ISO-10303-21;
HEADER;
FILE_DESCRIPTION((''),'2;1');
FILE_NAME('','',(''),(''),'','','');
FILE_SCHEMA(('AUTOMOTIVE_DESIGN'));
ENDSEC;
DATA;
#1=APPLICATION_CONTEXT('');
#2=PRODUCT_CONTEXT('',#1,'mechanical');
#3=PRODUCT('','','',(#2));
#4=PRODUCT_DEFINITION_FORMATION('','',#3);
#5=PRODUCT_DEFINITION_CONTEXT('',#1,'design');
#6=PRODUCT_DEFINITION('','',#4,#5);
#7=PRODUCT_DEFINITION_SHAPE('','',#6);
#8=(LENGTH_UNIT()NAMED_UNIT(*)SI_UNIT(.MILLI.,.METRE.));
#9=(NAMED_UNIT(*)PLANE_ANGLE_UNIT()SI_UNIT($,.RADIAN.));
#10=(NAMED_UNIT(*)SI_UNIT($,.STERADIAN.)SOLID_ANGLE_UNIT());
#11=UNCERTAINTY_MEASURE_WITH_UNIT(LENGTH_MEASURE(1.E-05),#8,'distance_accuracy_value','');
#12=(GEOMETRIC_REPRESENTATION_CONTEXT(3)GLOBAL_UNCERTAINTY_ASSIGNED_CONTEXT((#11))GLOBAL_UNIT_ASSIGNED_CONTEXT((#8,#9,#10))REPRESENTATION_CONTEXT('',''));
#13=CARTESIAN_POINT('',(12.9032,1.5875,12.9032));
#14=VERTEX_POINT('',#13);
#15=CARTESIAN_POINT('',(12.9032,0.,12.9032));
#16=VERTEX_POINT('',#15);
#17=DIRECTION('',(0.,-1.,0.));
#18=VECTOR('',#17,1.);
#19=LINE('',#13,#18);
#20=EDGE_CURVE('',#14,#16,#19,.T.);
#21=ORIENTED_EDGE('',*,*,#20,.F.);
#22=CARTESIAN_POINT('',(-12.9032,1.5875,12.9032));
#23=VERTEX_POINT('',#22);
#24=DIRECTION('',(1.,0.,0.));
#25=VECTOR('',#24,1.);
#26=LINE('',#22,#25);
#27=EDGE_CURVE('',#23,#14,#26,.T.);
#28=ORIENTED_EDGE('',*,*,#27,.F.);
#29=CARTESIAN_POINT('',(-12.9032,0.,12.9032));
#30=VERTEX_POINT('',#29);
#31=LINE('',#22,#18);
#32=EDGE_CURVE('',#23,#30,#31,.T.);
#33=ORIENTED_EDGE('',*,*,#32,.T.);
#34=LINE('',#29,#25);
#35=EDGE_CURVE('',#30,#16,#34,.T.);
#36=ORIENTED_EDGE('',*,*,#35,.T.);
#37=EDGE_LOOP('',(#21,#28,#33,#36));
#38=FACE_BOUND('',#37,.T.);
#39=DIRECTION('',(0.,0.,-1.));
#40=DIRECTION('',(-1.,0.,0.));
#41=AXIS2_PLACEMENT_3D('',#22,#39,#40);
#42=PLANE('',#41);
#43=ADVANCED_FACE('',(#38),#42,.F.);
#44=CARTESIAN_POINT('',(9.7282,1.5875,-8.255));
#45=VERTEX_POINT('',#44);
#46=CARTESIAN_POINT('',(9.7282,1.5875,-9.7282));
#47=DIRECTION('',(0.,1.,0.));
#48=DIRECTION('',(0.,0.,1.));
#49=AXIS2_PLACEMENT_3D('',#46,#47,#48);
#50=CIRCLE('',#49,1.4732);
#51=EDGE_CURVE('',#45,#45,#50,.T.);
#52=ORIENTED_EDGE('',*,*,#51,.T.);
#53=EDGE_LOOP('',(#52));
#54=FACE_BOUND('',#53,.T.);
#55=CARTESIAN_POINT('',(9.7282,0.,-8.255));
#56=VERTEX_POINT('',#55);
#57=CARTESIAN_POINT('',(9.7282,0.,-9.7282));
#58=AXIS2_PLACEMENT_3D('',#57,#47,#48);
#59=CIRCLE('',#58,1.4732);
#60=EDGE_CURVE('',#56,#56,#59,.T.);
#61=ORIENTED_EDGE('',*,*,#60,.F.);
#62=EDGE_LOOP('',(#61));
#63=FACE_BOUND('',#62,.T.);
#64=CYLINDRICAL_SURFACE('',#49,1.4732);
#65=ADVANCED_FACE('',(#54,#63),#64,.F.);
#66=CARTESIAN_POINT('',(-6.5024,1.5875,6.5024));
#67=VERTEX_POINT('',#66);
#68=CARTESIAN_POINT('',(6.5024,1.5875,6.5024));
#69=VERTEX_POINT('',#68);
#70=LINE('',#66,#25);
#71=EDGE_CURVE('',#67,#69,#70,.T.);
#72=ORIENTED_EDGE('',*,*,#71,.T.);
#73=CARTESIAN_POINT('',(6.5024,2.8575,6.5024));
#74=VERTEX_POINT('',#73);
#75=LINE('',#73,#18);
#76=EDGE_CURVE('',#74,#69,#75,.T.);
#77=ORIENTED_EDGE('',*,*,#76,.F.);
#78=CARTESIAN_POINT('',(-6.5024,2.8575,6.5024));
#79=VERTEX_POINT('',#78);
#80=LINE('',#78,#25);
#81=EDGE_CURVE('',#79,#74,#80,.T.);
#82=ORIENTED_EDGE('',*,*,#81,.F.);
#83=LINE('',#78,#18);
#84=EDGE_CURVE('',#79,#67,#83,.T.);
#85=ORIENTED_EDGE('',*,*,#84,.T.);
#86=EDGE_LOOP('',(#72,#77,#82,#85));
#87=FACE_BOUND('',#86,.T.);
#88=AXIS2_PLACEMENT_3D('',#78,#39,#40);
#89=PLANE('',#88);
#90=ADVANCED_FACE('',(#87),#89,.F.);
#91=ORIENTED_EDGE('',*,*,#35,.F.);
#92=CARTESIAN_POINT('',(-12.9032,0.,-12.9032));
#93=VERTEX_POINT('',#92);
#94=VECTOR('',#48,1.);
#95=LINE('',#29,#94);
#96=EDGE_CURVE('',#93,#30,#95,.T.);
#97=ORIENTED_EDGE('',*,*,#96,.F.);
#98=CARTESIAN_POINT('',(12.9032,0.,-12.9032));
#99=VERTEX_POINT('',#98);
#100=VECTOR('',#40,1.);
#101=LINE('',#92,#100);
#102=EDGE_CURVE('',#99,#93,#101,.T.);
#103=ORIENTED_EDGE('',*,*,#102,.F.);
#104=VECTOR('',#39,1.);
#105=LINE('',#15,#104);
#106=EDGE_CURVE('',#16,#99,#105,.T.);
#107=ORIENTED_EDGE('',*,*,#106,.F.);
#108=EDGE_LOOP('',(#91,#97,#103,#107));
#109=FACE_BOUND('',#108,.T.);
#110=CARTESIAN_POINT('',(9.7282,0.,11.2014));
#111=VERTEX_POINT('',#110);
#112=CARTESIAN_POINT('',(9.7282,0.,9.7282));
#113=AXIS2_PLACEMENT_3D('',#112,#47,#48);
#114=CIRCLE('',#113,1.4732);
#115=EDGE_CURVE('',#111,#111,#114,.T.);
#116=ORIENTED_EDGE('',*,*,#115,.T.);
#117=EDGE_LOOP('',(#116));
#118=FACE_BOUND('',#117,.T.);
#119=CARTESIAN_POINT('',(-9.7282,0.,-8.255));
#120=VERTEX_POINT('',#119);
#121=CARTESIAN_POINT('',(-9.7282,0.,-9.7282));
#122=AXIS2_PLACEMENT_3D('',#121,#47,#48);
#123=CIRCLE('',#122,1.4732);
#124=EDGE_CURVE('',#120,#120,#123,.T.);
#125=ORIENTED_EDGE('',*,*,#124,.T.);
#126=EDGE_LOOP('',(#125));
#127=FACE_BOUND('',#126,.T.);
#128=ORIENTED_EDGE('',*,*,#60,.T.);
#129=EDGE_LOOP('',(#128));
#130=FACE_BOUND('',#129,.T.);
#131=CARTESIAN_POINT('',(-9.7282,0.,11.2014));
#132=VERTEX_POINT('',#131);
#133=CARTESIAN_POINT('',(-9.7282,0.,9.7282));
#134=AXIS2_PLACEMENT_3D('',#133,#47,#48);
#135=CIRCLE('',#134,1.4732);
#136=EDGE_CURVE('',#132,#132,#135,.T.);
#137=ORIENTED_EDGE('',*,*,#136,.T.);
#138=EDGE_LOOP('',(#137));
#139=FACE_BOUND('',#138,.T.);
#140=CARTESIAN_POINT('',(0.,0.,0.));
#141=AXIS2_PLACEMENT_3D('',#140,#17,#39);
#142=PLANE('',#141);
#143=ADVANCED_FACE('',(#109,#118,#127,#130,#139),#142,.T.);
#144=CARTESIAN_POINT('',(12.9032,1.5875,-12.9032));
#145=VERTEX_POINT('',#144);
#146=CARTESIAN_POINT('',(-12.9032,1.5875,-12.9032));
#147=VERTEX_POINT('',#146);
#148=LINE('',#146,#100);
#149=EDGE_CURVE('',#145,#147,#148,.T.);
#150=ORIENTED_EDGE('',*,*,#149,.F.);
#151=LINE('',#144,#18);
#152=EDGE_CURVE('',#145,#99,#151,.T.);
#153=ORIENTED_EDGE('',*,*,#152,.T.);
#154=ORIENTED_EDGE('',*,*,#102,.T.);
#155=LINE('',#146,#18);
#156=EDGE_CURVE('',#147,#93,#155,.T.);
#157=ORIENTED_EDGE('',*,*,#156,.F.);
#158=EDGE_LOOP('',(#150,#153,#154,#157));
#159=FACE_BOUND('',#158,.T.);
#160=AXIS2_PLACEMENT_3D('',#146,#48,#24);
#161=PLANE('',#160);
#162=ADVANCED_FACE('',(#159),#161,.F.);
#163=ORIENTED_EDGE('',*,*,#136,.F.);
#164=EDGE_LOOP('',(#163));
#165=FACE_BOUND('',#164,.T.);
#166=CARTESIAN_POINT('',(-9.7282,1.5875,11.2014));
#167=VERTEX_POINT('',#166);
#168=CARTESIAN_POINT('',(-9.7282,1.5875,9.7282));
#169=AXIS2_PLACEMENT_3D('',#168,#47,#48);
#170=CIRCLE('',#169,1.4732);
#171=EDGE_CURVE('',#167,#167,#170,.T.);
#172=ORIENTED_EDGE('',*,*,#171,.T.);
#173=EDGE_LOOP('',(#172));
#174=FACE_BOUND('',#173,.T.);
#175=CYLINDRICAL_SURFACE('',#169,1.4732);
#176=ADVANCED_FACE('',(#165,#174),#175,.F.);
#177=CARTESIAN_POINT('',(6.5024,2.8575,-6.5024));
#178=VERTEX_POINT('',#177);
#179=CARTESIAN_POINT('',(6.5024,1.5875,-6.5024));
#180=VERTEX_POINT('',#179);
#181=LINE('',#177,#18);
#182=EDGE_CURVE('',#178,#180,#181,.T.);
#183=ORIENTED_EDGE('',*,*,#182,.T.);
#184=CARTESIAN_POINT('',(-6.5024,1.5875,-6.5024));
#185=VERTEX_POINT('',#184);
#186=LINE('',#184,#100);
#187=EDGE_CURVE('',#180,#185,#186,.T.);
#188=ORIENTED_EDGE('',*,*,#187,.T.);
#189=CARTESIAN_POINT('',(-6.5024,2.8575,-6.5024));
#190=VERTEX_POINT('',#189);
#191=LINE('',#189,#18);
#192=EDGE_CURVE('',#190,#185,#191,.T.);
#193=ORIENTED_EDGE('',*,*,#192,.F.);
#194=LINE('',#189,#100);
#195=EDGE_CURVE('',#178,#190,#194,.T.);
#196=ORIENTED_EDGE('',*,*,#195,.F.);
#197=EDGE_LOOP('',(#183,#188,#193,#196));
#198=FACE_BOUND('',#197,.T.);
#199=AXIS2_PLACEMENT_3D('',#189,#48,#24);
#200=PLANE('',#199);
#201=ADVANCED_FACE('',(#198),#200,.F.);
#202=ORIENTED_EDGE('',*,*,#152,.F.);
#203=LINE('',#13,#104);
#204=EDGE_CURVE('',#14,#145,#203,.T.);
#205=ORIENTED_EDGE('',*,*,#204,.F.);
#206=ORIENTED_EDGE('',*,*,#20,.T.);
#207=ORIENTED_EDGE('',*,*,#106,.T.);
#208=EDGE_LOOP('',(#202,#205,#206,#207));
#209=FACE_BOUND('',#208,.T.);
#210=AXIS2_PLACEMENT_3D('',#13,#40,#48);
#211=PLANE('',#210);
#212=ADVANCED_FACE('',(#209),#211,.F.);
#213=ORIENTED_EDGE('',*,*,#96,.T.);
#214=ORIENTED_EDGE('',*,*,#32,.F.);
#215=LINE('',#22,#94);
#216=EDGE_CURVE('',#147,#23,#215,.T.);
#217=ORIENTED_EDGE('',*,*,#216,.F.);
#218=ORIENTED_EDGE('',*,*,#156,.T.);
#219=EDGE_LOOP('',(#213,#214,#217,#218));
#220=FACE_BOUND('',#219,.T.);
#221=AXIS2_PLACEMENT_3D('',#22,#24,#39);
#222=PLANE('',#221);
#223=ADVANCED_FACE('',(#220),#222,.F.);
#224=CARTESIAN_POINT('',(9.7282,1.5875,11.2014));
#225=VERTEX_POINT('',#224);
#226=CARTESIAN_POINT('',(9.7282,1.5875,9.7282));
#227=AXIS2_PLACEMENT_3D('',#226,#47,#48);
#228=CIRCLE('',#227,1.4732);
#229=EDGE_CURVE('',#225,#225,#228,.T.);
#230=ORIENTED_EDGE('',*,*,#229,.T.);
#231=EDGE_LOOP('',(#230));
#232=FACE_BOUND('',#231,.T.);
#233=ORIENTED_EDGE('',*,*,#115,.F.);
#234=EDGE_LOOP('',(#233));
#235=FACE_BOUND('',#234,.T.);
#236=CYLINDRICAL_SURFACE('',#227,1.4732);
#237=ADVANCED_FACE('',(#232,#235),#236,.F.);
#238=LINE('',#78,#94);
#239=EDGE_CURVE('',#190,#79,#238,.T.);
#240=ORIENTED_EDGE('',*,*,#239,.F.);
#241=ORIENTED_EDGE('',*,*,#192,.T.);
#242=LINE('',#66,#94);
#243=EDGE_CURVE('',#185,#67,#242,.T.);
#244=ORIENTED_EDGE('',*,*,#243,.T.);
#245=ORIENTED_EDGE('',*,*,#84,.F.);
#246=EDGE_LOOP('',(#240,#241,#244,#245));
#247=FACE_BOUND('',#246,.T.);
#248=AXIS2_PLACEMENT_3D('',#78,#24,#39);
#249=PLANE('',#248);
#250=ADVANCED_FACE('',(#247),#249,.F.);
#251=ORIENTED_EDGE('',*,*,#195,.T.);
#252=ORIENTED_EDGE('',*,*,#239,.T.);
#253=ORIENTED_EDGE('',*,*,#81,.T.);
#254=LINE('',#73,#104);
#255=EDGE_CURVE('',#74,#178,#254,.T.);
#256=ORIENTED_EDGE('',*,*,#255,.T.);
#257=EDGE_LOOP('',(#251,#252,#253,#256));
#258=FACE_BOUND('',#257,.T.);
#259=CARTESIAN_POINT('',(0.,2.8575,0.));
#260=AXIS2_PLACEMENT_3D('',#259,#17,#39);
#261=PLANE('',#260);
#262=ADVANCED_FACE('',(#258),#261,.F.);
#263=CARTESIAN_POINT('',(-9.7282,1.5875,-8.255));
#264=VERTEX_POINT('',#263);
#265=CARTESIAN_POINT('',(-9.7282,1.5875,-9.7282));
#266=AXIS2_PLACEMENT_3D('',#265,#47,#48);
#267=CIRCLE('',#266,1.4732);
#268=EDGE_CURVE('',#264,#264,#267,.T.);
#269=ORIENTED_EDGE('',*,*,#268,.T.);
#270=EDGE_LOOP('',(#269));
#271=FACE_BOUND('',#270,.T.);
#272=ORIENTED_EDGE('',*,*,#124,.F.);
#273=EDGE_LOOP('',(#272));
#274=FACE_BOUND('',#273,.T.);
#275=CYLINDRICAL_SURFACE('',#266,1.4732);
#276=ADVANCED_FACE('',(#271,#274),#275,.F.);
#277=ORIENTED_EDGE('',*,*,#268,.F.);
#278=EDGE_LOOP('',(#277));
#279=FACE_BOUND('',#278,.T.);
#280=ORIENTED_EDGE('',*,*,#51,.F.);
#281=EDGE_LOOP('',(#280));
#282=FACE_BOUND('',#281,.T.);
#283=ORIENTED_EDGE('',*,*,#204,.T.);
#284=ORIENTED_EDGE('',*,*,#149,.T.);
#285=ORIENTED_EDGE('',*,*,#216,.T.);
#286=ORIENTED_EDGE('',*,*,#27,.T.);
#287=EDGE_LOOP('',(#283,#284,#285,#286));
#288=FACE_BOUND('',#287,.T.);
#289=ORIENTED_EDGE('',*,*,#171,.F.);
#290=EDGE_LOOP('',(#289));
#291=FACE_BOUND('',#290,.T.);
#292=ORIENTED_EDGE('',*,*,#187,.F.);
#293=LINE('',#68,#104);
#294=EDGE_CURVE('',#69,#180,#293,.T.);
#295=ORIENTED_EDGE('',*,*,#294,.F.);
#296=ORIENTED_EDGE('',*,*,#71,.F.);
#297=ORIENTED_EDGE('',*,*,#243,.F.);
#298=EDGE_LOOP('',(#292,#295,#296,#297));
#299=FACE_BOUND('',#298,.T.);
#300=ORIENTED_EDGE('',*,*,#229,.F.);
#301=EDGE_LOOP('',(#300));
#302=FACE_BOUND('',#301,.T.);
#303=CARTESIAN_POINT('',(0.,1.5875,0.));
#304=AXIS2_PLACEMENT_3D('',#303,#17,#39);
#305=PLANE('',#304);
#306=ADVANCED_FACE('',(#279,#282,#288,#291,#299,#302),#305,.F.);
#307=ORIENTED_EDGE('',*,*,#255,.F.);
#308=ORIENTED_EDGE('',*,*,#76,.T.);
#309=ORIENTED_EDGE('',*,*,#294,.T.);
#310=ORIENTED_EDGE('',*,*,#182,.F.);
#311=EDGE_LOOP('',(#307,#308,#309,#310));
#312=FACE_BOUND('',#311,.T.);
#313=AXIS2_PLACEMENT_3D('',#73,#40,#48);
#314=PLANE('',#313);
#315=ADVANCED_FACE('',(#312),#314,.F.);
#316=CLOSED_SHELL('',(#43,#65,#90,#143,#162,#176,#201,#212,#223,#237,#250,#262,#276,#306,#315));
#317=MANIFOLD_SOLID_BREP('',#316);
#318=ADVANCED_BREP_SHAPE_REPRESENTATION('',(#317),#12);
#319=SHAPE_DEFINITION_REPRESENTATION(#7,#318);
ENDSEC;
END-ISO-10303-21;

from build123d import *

# Parameters (mm, degrees)
SKETCH1_W                   = 25.8064
SKETCH1_H                   = 25.8064
BOSS_EXTRUDE1_DEPTH         = 1.5875
SKETCH2_W                   = 13.0048
SKETCH2_H                   = 13.0048
BOSS_EXTRUDE2_DEPTH         = 1.27
F_32_0_116_DIAMETER_HOLE1_D = 2.9464


with BuildPart() as part:
    # Sketch1 → Boss-Extrude1 (new body)
    with BuildSketch(Plane(origin=(0, 0, 0), x_dir=(1, 0, 0), z_dir=(0, 1, 0))):
        Rectangle(SKETCH1_W, SKETCH1_H)
    extrude(amount=BOSS_EXTRUDE1_DEPTH)

    # Sketch2 → Boss-Extrude2 (add)
    with BuildSketch(Plane(origin=(0, 1.5875, 0), x_dir=(1, 0, 0), z_dir=(0, 1, 0))):
        Rectangle(SKETCH2_W, SKETCH2_H)
    extrude(amount=BOSS_EXTRUDE2_DEPTH)

    # #32 (0.116) Diameter Hole1 (through all)
    with Locations(Plane(origin=(-9.7282, 1.5875, -9.7282), x_dir=(0, 0, 1), z_dir=(0, 1, 0))):
        with Locations((0, 0), (19.4564, 0), (19.4564, 19.4564), (0, 19.4564)):
            Hole(F_32_0_116_DIAMETER_HOLE1_D / 2)


solid = part.part
